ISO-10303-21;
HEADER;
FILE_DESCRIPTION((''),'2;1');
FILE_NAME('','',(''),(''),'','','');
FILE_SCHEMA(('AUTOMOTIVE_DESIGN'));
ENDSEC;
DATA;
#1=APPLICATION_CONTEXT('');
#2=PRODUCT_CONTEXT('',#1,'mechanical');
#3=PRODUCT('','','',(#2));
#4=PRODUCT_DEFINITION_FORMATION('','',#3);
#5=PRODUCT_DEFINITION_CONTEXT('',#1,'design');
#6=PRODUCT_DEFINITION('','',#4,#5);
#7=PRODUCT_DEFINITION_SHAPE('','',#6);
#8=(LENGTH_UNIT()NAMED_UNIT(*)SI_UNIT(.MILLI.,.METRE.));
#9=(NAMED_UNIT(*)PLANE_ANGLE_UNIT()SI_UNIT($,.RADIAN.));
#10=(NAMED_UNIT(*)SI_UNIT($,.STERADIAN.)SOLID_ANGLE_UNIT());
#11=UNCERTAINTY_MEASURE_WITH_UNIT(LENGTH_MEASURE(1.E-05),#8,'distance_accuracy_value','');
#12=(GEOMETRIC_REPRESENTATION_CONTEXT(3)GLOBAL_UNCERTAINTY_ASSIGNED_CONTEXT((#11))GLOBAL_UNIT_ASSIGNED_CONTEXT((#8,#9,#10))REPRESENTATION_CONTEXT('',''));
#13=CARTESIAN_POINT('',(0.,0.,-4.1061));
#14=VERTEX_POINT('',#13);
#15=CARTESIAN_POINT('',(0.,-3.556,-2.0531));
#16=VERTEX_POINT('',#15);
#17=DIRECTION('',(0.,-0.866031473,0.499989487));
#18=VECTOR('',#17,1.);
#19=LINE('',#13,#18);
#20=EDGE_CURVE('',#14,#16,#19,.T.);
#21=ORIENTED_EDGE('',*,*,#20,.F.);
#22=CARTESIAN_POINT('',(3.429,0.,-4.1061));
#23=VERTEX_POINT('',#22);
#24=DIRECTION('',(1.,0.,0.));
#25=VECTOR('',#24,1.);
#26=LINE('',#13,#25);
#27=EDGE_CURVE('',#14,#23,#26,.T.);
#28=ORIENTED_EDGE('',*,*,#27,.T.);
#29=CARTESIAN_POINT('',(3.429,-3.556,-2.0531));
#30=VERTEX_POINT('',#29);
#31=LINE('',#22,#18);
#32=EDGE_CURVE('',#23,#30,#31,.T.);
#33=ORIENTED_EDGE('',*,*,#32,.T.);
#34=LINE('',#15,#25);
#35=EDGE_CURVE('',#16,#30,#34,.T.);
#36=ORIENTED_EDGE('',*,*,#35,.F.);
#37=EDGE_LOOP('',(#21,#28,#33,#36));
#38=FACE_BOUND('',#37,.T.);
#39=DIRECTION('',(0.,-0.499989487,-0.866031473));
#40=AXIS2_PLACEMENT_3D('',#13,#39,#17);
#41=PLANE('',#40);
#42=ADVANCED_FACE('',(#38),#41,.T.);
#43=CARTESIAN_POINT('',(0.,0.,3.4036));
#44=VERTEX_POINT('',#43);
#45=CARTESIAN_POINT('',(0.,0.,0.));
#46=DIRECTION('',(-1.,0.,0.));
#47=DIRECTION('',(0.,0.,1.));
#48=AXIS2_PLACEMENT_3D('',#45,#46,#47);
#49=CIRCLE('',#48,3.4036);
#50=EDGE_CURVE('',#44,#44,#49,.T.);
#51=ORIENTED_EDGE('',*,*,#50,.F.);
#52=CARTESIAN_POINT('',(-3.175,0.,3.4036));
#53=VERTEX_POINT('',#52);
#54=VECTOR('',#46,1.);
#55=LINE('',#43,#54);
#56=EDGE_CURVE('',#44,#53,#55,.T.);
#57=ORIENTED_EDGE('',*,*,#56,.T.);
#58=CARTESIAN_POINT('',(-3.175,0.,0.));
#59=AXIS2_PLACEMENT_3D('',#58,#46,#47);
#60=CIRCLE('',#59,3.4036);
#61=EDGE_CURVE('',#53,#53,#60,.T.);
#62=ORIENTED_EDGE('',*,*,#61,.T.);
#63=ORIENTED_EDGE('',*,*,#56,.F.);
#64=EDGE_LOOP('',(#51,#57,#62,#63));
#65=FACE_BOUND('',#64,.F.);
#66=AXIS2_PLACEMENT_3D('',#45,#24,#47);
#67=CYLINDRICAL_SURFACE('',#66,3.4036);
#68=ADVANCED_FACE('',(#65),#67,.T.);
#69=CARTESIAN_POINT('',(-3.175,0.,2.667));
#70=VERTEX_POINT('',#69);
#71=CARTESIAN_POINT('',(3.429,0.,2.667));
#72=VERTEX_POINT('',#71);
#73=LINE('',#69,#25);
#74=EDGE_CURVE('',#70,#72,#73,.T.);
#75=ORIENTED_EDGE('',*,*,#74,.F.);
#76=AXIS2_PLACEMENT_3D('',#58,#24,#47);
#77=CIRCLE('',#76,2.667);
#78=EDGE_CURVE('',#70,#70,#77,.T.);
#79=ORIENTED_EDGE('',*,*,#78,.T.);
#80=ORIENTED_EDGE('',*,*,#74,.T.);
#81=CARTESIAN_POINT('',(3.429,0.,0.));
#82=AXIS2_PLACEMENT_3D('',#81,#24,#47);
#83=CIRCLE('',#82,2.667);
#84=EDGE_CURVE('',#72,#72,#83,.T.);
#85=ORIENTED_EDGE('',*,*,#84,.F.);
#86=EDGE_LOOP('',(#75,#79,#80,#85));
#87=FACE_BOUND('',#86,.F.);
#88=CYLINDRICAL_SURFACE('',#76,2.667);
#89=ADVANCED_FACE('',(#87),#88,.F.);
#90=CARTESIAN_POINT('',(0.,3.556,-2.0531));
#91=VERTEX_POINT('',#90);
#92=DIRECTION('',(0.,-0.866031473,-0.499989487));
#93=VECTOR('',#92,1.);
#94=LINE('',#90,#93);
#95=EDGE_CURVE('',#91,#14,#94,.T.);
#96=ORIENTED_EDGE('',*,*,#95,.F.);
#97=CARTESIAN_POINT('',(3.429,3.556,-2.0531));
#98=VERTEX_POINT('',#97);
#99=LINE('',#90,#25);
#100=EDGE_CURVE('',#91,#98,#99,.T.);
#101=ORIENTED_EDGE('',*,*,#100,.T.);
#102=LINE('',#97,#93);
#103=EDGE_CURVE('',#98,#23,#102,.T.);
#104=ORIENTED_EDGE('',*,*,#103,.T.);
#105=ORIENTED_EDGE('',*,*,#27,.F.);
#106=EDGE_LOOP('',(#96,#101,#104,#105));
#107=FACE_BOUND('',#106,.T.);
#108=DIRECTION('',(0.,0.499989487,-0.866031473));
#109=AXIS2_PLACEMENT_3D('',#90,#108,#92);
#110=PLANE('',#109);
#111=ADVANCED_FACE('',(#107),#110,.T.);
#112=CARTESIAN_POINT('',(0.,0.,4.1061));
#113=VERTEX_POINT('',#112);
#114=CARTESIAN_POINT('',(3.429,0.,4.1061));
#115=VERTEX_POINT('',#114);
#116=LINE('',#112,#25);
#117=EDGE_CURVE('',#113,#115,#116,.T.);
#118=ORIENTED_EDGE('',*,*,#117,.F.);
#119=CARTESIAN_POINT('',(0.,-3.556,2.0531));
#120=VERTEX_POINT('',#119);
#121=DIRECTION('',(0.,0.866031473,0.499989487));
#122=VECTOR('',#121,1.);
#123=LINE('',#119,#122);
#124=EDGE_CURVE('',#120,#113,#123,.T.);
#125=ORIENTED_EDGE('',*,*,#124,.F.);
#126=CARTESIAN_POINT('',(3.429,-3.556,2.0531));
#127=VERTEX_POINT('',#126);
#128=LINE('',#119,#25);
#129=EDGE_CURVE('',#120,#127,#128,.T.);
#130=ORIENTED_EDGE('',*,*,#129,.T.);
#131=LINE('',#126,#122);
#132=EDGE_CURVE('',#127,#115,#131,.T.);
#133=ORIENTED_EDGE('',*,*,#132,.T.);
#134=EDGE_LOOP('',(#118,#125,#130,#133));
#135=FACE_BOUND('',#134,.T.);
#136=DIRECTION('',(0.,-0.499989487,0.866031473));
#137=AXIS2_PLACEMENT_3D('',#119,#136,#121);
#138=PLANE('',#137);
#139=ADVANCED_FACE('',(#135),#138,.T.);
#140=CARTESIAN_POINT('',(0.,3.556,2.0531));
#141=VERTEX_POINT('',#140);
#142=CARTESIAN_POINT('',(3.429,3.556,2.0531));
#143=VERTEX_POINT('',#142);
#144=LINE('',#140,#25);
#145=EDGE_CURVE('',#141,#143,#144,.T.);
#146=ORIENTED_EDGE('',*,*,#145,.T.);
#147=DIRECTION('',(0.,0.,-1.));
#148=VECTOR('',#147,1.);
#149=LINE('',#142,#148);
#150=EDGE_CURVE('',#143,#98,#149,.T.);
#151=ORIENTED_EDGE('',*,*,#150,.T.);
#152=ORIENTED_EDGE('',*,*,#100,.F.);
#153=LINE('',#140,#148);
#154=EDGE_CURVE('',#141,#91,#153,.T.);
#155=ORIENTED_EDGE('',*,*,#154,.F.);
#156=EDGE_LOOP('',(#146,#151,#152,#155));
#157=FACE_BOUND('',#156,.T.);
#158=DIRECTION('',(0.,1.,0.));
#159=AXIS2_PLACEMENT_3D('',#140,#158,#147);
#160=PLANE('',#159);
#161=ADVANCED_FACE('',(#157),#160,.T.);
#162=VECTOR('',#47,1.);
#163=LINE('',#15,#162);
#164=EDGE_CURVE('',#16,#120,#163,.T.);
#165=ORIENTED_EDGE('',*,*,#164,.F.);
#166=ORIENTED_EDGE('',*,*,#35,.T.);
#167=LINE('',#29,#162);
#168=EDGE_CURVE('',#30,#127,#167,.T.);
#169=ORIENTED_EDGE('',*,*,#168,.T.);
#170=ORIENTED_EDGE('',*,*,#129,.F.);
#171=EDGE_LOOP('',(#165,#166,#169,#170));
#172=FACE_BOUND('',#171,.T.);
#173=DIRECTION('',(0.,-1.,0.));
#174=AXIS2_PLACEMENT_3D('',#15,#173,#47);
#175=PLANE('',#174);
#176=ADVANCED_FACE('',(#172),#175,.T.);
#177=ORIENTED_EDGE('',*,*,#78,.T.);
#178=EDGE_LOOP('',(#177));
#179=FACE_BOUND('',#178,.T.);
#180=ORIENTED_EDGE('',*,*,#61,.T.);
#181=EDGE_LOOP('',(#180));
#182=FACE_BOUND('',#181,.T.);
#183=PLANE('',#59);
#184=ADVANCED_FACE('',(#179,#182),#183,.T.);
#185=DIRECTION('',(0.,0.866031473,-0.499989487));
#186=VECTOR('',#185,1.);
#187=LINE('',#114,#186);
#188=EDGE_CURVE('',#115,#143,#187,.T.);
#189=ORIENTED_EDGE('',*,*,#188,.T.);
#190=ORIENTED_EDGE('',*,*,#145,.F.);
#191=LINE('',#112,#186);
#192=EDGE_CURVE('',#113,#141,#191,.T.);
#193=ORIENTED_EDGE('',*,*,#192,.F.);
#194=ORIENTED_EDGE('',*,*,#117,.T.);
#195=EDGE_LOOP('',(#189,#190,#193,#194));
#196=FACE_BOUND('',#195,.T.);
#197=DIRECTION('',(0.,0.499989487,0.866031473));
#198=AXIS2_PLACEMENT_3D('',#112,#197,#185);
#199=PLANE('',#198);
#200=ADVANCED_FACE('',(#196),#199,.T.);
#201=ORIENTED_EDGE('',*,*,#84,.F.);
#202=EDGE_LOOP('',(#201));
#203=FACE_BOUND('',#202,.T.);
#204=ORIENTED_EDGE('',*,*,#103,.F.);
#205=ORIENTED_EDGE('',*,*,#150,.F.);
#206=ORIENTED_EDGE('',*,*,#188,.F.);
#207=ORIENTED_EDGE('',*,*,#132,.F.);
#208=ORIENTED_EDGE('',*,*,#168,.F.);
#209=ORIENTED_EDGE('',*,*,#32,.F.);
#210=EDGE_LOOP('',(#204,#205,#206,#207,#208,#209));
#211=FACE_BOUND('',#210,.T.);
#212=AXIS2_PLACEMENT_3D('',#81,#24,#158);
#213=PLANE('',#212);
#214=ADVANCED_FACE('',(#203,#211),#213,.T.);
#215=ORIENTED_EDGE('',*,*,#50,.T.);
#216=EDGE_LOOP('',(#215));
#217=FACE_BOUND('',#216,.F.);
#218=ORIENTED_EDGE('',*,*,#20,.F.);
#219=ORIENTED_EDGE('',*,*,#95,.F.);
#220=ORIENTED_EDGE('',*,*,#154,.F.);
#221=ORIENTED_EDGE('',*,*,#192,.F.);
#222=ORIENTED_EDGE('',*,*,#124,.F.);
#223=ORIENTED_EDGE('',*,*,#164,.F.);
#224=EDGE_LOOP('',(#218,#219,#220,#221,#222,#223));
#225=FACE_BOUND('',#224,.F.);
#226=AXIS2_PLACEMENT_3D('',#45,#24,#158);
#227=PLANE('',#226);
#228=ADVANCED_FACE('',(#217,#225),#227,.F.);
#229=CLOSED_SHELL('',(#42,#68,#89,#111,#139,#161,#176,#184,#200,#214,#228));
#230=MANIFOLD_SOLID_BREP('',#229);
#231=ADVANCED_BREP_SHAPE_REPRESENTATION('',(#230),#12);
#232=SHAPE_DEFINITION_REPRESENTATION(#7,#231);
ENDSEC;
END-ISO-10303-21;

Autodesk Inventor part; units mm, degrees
ref_plane "YZ Plane" through (0, 0, 0) normal (1, 0, 0) x (0, 1, 0)
ref_plane "XZ Plane" through (0, 0, 0) normal (0, 1, 0) x (-1, 0, 0)
ref_plane "XY Plane" through (0, 0, 0) normal (0, 0, 1) x (1, 0, 0)
sketch "Sketch1" plane through (0, 0, 0) normal (1, 0, 0) x (0, 1, 0)
  line L0 (3.556, -2.0531) -> (0, -4.1061)
  line L1 (0, -4.1061) -> (-3.556, -2.0531)
  line L2 (-3.556, -2.0531) -> (-3.556, 2.0531)
  line L3 (-3.556, 2.0531) -> (0, 4.1061)
  line L4 (0, 4.1061) -> (3.556, 2.0531)
  line L5 (3.556, 2.0531) -> (3.556, -2.0531)
  point P0 (0, 0)
  point P1 (0, 0)
  dimension "d0" = 7.112
extrude "Extrusion1" add sketch "Sketch1" along normal blind 3.429
sketch "Sketch2" plane through (0, 0, 0) normal (-1, 0, 0) x (0, 0, 1)
  circle A0 centre (0, 0) radius 3.4036
  dimension "d3" = 6.8072
extrude "Extrusion2" add sketch "Sketch2" along normal blind 3.175
sketch "Sketch3" plane through (-3.175, 0, 0) normal (-1, 0, 0) x (0, 0, 1)
  circle A0 centre (0, 0) radius 3.4036 projected
hole "Hole1" at (-3.175, 0, 0) direction (1, 0, 0) diameter 5.334 end through all
thread "Thread1" size "1/4-20 UNC" class "2B" standard "ANSI Unified Screw Threads" length 3.429 offset 3.175
properties part number "Hex Cap"
